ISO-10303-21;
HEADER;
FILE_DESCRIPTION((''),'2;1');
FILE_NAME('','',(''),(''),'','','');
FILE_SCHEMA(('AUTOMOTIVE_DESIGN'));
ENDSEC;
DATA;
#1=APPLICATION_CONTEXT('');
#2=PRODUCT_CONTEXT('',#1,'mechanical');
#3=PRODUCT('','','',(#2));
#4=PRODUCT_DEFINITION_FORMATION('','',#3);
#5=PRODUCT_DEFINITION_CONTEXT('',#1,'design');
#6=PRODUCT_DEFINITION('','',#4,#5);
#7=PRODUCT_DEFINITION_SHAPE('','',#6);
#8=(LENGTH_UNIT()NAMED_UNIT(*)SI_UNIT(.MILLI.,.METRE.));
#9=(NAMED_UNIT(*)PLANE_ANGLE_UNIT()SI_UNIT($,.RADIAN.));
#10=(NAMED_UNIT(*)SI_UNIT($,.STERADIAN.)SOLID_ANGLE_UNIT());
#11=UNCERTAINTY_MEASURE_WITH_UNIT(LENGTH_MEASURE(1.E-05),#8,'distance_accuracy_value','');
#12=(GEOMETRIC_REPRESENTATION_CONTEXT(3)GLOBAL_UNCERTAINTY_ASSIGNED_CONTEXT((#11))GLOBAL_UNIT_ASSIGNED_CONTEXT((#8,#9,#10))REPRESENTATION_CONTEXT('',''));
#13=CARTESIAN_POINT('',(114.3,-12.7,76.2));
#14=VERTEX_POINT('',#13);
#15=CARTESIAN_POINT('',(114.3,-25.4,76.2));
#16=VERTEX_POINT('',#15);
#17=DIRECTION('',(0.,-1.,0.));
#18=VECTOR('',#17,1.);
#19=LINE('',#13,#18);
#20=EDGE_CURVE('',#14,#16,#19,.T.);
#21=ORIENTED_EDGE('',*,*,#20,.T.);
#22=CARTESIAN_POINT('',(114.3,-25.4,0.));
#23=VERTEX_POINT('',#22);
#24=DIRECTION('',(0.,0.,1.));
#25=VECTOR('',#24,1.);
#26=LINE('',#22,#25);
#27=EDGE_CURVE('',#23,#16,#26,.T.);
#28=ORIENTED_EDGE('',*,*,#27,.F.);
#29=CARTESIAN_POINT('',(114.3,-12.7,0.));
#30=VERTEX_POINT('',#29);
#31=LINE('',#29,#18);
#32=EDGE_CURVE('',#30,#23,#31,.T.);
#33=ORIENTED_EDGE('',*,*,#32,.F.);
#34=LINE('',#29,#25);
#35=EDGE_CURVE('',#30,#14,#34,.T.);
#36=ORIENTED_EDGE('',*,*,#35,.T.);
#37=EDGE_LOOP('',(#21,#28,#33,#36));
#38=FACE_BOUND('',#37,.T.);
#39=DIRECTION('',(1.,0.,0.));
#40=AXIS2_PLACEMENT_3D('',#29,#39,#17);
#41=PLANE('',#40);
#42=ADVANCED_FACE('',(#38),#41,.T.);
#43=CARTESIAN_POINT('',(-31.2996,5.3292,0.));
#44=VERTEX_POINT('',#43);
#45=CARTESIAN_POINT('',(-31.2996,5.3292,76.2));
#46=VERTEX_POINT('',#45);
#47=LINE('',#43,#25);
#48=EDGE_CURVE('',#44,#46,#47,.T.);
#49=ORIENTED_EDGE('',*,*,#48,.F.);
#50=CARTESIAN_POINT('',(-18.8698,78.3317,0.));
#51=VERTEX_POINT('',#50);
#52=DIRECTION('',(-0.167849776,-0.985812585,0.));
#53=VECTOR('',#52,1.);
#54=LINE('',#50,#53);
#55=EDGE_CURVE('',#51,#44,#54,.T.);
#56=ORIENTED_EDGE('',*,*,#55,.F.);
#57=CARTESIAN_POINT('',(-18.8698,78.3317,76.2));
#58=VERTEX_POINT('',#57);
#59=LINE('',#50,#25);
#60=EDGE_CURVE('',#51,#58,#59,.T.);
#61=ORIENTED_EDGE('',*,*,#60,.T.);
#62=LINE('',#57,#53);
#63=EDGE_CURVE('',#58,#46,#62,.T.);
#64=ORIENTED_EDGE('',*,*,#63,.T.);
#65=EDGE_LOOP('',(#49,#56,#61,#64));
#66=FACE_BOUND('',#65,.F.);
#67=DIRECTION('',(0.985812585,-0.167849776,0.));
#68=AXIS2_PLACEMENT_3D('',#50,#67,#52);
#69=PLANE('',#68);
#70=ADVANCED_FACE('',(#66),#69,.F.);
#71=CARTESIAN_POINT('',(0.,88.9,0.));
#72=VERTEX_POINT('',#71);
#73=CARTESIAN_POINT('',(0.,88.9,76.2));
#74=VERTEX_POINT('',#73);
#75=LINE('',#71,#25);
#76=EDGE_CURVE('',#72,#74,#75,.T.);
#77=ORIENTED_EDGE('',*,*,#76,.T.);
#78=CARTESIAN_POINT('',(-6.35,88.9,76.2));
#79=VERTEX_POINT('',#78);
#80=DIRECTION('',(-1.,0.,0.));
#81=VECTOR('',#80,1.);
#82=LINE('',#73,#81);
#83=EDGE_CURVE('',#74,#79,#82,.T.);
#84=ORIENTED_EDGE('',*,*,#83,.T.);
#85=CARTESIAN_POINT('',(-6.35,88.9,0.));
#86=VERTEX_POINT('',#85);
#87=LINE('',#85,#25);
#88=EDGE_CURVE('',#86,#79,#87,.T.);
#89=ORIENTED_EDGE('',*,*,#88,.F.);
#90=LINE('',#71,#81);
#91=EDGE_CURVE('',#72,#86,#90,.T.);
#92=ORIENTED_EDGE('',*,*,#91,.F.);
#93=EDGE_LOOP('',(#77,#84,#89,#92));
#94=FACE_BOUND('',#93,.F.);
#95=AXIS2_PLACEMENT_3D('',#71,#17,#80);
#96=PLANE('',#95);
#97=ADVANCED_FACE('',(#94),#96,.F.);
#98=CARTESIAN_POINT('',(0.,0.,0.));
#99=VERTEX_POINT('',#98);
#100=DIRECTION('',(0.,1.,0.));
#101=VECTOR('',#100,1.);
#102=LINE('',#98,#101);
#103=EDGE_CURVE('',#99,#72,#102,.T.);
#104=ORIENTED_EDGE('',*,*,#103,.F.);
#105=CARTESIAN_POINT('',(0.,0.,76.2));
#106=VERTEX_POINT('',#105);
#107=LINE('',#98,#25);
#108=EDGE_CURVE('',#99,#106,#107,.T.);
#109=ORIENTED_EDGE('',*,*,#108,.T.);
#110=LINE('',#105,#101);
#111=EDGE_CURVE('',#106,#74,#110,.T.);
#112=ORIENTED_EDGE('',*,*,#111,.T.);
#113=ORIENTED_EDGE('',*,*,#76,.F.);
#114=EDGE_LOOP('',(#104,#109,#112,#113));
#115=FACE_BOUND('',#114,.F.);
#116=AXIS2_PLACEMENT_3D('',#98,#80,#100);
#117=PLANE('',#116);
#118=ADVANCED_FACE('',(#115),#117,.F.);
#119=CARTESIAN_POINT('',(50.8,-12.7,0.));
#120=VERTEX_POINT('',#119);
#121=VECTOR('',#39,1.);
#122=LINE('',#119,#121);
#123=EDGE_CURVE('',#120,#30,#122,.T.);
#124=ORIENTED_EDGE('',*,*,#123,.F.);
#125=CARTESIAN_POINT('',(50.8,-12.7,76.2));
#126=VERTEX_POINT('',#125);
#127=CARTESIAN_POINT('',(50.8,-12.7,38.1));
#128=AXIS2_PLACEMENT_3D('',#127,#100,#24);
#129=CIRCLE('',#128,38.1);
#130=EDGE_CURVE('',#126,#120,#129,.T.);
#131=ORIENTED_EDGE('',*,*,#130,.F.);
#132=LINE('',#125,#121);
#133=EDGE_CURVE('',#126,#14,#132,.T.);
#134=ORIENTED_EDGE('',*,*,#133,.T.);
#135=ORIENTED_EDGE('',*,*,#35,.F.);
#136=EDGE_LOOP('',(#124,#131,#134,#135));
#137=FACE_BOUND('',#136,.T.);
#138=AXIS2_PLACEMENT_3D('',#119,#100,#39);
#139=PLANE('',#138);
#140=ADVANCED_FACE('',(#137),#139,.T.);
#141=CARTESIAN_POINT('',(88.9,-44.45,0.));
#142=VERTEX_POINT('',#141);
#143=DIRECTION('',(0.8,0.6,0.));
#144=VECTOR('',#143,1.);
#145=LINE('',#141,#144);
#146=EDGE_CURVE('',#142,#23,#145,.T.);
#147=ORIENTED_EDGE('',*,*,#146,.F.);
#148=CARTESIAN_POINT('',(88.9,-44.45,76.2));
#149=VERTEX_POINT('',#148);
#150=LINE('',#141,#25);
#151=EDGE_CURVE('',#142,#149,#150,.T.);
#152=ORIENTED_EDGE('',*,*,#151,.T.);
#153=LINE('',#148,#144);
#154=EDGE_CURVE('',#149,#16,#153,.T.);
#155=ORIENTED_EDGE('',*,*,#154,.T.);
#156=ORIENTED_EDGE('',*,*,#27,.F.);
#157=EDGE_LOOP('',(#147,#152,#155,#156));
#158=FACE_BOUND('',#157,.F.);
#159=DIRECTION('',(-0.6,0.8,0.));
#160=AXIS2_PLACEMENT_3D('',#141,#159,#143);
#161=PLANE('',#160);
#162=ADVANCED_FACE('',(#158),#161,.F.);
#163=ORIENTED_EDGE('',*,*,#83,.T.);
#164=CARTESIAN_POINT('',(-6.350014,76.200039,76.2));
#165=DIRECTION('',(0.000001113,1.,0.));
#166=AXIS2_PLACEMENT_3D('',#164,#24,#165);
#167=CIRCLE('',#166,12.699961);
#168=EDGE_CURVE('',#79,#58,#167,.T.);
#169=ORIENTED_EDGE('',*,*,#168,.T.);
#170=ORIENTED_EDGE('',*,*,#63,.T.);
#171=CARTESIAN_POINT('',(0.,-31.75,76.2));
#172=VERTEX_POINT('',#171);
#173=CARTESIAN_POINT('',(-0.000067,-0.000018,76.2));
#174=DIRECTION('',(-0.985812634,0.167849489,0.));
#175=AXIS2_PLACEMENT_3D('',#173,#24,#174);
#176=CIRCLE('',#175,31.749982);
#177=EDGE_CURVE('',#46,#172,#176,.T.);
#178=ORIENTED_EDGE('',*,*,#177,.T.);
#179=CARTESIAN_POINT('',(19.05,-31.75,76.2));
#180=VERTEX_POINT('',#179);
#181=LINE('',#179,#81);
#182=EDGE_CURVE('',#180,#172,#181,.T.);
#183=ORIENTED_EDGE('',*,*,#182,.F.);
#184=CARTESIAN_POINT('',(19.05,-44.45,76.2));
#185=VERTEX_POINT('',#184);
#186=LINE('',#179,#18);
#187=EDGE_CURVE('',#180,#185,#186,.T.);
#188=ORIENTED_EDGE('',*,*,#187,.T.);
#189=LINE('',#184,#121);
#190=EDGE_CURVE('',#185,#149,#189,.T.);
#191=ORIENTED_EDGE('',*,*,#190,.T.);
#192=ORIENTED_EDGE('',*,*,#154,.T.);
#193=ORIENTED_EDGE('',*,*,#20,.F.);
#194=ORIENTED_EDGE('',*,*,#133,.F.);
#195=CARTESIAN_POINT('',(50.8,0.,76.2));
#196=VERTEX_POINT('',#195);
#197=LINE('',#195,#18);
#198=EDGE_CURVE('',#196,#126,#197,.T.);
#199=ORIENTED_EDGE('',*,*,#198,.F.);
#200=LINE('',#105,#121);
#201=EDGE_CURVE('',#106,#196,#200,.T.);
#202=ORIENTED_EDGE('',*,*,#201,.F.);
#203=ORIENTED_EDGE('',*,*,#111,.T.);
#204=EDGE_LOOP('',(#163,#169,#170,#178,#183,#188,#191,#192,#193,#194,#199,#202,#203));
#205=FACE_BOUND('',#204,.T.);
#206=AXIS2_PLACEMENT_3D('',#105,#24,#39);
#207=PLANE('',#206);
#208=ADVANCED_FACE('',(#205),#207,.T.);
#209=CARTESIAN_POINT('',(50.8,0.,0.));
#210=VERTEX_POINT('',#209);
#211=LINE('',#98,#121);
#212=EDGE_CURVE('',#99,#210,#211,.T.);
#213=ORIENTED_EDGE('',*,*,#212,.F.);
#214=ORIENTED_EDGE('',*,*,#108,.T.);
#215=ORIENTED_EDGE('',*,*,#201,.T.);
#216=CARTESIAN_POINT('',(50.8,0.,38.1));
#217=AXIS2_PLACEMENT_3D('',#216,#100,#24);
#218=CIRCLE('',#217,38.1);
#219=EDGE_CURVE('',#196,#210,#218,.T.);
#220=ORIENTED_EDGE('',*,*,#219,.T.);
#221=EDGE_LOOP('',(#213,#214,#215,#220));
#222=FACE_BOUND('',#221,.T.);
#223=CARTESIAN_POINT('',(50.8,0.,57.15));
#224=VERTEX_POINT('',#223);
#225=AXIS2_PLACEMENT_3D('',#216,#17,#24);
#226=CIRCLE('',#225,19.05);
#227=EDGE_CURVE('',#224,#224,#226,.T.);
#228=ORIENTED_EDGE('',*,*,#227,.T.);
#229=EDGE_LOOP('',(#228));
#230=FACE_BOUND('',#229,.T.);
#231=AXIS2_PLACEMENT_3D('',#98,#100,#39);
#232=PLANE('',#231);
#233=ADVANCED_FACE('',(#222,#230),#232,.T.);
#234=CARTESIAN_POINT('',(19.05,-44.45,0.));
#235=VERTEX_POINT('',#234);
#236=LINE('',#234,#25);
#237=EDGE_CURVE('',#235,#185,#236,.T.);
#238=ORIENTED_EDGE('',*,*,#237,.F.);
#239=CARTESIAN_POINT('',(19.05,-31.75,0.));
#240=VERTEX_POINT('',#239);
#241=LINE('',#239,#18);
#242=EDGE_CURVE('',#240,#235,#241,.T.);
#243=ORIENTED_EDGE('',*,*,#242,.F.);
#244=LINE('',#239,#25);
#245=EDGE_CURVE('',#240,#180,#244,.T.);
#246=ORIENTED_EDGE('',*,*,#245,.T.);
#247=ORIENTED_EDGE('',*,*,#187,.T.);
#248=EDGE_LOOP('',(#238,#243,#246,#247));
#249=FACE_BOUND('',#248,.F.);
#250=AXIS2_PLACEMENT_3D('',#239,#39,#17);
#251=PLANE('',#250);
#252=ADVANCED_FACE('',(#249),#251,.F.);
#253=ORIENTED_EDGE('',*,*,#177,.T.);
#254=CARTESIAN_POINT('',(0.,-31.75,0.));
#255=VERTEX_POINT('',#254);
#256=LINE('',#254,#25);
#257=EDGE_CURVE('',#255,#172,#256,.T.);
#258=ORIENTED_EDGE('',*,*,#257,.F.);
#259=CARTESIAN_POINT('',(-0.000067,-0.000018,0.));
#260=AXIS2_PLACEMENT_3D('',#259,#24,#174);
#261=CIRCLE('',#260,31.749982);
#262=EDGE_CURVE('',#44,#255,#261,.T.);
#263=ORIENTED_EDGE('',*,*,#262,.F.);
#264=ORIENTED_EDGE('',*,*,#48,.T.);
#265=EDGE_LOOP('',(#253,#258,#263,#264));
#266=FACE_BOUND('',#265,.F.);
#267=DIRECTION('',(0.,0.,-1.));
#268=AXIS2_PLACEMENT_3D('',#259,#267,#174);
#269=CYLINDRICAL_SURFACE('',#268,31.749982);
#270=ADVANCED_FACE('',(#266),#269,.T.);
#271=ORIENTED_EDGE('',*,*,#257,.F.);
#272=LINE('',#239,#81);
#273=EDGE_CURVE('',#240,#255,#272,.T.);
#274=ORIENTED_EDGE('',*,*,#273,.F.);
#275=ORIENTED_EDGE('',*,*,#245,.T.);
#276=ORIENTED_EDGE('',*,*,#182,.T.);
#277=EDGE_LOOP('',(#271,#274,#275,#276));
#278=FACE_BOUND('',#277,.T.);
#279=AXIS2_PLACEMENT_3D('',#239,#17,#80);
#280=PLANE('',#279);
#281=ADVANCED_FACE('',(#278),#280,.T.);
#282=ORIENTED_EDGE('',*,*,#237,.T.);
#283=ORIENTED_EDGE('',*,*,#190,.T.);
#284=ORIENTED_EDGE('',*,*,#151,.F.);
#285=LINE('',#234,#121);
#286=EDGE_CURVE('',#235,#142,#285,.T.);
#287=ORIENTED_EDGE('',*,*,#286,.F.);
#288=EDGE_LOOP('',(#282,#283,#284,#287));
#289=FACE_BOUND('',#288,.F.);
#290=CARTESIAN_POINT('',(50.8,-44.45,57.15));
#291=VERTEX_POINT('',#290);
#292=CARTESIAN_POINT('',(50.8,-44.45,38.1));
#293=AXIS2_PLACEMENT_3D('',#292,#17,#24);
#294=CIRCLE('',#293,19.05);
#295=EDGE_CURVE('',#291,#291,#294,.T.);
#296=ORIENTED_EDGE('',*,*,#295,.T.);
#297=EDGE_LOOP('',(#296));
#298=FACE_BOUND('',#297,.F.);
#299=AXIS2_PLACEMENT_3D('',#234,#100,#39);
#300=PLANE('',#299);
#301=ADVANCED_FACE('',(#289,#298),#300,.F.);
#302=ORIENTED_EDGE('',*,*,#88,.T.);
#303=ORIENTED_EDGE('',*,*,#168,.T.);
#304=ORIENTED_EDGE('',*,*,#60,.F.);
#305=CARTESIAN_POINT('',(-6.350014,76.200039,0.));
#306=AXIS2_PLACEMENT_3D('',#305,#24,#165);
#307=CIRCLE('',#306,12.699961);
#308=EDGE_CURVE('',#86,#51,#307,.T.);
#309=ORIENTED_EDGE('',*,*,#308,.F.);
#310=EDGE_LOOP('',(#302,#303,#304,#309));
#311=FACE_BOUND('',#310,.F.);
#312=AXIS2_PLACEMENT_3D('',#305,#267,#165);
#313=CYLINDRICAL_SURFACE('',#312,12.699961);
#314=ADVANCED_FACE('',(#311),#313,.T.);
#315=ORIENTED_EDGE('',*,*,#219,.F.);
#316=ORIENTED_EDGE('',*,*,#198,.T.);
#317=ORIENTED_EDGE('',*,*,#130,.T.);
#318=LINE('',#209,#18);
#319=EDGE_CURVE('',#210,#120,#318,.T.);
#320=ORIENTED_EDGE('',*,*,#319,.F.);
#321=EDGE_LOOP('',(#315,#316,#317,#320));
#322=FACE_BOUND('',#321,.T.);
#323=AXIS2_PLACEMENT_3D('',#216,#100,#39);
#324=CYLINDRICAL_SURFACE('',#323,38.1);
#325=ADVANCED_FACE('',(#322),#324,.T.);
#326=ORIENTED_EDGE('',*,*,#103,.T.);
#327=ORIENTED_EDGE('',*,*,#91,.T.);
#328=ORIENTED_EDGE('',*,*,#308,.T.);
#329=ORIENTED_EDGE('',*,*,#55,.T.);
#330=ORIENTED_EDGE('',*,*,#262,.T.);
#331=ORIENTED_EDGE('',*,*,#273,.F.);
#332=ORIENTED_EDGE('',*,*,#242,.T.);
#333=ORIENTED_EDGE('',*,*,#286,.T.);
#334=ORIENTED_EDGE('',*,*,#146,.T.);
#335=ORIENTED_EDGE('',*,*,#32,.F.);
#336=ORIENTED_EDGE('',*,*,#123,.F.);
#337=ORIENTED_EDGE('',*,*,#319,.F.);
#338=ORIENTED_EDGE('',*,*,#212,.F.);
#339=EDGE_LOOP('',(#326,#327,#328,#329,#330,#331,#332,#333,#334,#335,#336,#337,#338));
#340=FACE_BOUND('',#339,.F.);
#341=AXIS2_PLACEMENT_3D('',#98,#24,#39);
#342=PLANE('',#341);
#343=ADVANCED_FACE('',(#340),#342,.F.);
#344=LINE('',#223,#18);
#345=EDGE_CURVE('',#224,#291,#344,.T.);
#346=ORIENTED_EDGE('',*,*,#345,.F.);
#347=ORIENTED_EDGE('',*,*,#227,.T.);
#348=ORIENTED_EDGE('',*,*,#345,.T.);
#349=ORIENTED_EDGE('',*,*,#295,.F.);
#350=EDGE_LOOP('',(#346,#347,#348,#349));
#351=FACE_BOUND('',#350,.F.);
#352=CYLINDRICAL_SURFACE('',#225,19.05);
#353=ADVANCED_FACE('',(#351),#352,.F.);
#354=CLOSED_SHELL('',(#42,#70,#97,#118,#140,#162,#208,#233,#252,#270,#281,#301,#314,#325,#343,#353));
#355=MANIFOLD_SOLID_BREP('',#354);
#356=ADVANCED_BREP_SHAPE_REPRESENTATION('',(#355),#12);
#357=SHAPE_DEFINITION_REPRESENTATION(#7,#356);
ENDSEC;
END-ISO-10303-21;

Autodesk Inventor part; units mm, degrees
ref_plane "YZ Plane" through (0, 0, 0) normal (1, 0, 0) x (0, 1, 0)
ref_plane "XZ Plane" through (0, 0, 0) normal (0, 1, 0) x (-1, 0, 0)
ref_plane "XY Plane" through (0, 0, 0) normal (0, 0, 1) x (1, 0, 0)
sketch "main profile" plane through (0, 0, 0) normal (0, 0, 1) x (1, 0, 0)
  line L0 (0, 0) -> (50.8, 0)
  line L1 (50.8, 0) -> (50.8, -12.7)
  line L2 (19.05, -31.75) -> (19.05, -44.45)
  line L3 (19.05, -44.45) -> (88.9, -44.45)
  line L4 (0, 0) -> (0, 88.9)
  line L5 (50.8, -12.7) -> (114.3, -12.7)
  line L6 (114.3, -12.7) -> (114.3, -25.4)
  line L7 (88.9, -44.45) -> (114.3, -25.4)
  line L8 (0, 88.9) -> (-6.35, 88.9)
  arc A0 (-6.35, 88.9) -> (-18.8698, 78.3317) centre (-6.35, 76.2) ccw
  line L9 (-18.8698, 78.3317) -> (-31.2996, 5.3292)
  arc A1 (-31.2996, 5.3292) -> (0, -31.75) centre (0, 0) ccw
  line L10 (19.05, -31.75) -> (0, -31.75)
  dimension "d8" = 50.8
  dimension "d9" = 12.7
  dimension "d11" = 69.85
  dimension "d15" = 114.3
  dimension "d16" = 12.7
  dimension "d18" = 44.45
  dimension "d20" = 19.05
  dimension "d41" = 12.7
  dimension "d42" = 31.75
  dimension "d44" = 31.75
  dimension "d45" = 120.65
  dimension "d56" = 6.35
  dimension "d64" = 114.3
extrude "FULL EXTRUSION" add sketch "main profile" along normal blind 76.2
sketch "Half Circle" plane through (0, 0, 0) normal (0, 1, 0) x (1, 0, 0)
  line L0 (50.8, 0) -> (50.8, -76.2) projected
  circle A0 centre (50.8, -38.1) radius 38.1
  point P0 (0, 0)
  dimension "d55" = 76.2
extrude "Half Circle Extrusion" add sketch "Half Circle" against normal up to surface (12.7 mm away)
sketch "Sketch6" plane through (0, 0, 76.2) normal (0, 1, 0) x (1, 0, 0)
  arc A0 (50.8, 0) -> (50.8, 76.2) centre (50.8, 38.1) ccw projected
  point P0 (0, 76.2)
hole "Hole2" at (50.8, 0, 38.1) direction (0, -1, 0) diameter 38.1 end through all
equation "\"d16\" = d9"
properties part number "ASN4-3-BK" material "Brass, Soft Yellow"
